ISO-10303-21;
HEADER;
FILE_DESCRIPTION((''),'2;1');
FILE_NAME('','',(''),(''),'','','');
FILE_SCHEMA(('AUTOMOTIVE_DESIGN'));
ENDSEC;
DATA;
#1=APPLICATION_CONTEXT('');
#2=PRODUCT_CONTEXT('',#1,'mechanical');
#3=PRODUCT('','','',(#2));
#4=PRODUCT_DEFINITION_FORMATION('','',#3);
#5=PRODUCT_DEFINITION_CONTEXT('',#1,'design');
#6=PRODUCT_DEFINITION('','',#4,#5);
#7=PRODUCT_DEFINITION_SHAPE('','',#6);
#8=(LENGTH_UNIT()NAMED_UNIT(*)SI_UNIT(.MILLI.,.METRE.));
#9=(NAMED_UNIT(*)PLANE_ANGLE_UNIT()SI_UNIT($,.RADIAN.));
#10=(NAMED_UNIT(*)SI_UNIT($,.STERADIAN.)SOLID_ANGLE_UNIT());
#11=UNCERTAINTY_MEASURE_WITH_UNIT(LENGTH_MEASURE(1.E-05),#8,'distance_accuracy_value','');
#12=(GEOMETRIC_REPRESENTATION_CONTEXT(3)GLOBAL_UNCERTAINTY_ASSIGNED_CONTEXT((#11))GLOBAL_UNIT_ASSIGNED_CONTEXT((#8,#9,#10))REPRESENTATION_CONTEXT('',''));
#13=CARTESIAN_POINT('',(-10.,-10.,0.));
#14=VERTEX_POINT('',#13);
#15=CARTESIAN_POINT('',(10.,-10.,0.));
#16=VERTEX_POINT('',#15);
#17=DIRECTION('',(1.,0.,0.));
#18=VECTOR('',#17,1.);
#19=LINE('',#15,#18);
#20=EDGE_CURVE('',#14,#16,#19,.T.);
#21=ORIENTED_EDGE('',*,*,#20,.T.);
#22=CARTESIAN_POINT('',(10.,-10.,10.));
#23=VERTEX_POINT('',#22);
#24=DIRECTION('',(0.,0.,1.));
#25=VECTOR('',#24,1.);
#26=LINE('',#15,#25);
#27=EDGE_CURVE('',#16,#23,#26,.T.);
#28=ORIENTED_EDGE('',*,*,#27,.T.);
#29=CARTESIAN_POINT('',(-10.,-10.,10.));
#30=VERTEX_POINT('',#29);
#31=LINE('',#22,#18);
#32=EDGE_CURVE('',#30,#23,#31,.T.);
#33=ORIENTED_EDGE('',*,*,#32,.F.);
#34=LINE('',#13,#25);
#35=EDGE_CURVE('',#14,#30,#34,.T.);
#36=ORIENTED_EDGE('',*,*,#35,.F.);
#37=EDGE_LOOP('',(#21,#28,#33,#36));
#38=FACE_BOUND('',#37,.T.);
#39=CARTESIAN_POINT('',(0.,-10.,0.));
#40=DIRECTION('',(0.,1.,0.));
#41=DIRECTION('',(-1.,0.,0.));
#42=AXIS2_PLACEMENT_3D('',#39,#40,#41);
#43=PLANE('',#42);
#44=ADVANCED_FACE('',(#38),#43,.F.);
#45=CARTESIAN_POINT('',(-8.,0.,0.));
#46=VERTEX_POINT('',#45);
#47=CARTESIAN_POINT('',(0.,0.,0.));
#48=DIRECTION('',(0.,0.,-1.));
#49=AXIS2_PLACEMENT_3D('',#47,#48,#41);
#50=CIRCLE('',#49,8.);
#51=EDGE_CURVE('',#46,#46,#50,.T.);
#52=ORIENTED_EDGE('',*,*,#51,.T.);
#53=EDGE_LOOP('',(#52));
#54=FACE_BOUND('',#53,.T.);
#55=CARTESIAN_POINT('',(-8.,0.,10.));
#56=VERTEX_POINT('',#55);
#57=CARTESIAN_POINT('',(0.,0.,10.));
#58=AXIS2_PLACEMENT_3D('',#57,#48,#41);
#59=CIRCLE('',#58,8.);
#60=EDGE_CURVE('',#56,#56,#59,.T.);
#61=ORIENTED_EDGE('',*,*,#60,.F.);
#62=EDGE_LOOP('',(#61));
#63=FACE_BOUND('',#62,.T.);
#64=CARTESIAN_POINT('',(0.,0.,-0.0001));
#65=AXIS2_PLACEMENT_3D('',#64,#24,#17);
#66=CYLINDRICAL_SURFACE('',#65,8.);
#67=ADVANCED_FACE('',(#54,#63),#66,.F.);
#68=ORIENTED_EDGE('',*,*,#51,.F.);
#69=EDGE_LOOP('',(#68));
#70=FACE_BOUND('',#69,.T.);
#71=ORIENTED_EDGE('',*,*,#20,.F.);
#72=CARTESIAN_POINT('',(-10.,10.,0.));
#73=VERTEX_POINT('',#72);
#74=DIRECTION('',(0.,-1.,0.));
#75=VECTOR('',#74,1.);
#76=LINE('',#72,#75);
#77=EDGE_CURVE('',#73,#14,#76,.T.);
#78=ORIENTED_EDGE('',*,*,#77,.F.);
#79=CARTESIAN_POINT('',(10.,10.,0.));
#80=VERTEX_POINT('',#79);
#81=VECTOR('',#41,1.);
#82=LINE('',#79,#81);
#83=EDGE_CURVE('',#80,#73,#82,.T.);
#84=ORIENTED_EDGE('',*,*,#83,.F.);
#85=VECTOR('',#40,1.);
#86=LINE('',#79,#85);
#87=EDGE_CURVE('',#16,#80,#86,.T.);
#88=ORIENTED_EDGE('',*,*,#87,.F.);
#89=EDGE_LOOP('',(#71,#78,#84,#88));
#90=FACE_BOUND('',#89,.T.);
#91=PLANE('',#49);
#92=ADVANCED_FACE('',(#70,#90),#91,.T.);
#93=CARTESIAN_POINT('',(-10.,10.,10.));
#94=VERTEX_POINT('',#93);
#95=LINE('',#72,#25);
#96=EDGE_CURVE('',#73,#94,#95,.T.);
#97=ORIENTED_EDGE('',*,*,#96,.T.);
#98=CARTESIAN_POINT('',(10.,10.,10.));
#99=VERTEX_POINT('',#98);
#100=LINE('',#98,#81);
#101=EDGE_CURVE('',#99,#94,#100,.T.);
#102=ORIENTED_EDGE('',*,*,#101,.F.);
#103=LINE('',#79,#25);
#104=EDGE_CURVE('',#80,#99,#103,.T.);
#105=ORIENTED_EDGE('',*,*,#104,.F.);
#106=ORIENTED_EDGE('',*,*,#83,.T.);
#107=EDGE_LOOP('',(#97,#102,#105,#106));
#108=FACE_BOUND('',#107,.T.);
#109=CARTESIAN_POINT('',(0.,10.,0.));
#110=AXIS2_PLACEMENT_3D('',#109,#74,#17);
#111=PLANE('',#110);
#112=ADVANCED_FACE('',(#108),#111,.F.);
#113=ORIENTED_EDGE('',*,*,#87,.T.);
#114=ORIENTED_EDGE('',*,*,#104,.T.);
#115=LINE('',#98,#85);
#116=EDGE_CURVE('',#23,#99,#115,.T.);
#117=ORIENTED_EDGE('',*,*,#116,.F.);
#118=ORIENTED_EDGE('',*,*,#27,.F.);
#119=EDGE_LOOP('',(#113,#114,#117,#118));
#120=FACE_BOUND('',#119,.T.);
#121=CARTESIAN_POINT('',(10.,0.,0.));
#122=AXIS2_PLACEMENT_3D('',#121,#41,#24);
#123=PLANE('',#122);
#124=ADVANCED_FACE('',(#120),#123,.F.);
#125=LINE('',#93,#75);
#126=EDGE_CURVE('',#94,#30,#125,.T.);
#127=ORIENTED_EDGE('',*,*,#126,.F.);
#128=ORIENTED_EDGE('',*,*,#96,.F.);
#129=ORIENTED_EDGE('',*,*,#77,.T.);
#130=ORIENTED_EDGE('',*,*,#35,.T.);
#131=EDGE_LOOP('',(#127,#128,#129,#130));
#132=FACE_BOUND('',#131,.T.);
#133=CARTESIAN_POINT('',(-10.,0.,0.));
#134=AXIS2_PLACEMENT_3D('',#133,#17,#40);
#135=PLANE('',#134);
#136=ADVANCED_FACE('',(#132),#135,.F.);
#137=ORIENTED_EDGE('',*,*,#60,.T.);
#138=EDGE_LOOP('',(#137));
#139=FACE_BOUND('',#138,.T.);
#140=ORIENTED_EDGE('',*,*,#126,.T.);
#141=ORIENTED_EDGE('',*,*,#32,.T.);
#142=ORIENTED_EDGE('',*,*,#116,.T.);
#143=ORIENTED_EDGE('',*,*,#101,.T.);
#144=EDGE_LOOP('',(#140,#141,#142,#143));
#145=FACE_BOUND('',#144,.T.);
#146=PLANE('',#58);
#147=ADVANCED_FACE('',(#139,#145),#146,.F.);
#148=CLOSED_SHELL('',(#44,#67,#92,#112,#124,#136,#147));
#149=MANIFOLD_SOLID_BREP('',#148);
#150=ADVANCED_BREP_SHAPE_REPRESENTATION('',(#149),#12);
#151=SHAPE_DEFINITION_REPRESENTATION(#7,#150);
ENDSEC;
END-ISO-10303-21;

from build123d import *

# Parameters (mm, degrees)
CUT_EXTRUDE1_DEPTH      = 18.320508249
CUT_EXTRUDE1_DEPTH_BACK = 18.320508249
SKETCH3_R               = 8


with BuildPart() as part:
    # Sketch1 → Loft1 section 0
    with BuildSketch(Plane.XY):
        with BuildLine():
            Line((10, 10), (-10, 10))
            Line((-10, 10), (-10, -10))
            Line((-10, -10), (10, -10))
            Line((10, -10), (10, 10))
        make_face()
    # Sketch2 → Loft1 section 1
    with BuildSketch(Plane.XY.offset(10)):
        with BuildLine():
            Line((10, 10), (-10, 10))
            Line((-10, 10), (-10, -10))
            Line((-10, -10), (10, -10))
            Line((10, -10), (10, 10))
        make_face()
    loft()

    # Sketch3 → Cut-Extrude1 (cut, two sides: drawn at the far end of the back side and taken through both)
    with BuildSketch(Plane.XY.offset(-CUT_EXTRUDE1_DEPTH_BACK)):
        with Locations(Location((0, 0, 0), (0, 0, 180))):
            Circle(SKETCH3_R)
    extrude(amount=CUT_EXTRUDE1_DEPTH + CUT_EXTRUDE1_DEPTH_BACK, mode=Mode.SUBTRACT)


solid = part.part
